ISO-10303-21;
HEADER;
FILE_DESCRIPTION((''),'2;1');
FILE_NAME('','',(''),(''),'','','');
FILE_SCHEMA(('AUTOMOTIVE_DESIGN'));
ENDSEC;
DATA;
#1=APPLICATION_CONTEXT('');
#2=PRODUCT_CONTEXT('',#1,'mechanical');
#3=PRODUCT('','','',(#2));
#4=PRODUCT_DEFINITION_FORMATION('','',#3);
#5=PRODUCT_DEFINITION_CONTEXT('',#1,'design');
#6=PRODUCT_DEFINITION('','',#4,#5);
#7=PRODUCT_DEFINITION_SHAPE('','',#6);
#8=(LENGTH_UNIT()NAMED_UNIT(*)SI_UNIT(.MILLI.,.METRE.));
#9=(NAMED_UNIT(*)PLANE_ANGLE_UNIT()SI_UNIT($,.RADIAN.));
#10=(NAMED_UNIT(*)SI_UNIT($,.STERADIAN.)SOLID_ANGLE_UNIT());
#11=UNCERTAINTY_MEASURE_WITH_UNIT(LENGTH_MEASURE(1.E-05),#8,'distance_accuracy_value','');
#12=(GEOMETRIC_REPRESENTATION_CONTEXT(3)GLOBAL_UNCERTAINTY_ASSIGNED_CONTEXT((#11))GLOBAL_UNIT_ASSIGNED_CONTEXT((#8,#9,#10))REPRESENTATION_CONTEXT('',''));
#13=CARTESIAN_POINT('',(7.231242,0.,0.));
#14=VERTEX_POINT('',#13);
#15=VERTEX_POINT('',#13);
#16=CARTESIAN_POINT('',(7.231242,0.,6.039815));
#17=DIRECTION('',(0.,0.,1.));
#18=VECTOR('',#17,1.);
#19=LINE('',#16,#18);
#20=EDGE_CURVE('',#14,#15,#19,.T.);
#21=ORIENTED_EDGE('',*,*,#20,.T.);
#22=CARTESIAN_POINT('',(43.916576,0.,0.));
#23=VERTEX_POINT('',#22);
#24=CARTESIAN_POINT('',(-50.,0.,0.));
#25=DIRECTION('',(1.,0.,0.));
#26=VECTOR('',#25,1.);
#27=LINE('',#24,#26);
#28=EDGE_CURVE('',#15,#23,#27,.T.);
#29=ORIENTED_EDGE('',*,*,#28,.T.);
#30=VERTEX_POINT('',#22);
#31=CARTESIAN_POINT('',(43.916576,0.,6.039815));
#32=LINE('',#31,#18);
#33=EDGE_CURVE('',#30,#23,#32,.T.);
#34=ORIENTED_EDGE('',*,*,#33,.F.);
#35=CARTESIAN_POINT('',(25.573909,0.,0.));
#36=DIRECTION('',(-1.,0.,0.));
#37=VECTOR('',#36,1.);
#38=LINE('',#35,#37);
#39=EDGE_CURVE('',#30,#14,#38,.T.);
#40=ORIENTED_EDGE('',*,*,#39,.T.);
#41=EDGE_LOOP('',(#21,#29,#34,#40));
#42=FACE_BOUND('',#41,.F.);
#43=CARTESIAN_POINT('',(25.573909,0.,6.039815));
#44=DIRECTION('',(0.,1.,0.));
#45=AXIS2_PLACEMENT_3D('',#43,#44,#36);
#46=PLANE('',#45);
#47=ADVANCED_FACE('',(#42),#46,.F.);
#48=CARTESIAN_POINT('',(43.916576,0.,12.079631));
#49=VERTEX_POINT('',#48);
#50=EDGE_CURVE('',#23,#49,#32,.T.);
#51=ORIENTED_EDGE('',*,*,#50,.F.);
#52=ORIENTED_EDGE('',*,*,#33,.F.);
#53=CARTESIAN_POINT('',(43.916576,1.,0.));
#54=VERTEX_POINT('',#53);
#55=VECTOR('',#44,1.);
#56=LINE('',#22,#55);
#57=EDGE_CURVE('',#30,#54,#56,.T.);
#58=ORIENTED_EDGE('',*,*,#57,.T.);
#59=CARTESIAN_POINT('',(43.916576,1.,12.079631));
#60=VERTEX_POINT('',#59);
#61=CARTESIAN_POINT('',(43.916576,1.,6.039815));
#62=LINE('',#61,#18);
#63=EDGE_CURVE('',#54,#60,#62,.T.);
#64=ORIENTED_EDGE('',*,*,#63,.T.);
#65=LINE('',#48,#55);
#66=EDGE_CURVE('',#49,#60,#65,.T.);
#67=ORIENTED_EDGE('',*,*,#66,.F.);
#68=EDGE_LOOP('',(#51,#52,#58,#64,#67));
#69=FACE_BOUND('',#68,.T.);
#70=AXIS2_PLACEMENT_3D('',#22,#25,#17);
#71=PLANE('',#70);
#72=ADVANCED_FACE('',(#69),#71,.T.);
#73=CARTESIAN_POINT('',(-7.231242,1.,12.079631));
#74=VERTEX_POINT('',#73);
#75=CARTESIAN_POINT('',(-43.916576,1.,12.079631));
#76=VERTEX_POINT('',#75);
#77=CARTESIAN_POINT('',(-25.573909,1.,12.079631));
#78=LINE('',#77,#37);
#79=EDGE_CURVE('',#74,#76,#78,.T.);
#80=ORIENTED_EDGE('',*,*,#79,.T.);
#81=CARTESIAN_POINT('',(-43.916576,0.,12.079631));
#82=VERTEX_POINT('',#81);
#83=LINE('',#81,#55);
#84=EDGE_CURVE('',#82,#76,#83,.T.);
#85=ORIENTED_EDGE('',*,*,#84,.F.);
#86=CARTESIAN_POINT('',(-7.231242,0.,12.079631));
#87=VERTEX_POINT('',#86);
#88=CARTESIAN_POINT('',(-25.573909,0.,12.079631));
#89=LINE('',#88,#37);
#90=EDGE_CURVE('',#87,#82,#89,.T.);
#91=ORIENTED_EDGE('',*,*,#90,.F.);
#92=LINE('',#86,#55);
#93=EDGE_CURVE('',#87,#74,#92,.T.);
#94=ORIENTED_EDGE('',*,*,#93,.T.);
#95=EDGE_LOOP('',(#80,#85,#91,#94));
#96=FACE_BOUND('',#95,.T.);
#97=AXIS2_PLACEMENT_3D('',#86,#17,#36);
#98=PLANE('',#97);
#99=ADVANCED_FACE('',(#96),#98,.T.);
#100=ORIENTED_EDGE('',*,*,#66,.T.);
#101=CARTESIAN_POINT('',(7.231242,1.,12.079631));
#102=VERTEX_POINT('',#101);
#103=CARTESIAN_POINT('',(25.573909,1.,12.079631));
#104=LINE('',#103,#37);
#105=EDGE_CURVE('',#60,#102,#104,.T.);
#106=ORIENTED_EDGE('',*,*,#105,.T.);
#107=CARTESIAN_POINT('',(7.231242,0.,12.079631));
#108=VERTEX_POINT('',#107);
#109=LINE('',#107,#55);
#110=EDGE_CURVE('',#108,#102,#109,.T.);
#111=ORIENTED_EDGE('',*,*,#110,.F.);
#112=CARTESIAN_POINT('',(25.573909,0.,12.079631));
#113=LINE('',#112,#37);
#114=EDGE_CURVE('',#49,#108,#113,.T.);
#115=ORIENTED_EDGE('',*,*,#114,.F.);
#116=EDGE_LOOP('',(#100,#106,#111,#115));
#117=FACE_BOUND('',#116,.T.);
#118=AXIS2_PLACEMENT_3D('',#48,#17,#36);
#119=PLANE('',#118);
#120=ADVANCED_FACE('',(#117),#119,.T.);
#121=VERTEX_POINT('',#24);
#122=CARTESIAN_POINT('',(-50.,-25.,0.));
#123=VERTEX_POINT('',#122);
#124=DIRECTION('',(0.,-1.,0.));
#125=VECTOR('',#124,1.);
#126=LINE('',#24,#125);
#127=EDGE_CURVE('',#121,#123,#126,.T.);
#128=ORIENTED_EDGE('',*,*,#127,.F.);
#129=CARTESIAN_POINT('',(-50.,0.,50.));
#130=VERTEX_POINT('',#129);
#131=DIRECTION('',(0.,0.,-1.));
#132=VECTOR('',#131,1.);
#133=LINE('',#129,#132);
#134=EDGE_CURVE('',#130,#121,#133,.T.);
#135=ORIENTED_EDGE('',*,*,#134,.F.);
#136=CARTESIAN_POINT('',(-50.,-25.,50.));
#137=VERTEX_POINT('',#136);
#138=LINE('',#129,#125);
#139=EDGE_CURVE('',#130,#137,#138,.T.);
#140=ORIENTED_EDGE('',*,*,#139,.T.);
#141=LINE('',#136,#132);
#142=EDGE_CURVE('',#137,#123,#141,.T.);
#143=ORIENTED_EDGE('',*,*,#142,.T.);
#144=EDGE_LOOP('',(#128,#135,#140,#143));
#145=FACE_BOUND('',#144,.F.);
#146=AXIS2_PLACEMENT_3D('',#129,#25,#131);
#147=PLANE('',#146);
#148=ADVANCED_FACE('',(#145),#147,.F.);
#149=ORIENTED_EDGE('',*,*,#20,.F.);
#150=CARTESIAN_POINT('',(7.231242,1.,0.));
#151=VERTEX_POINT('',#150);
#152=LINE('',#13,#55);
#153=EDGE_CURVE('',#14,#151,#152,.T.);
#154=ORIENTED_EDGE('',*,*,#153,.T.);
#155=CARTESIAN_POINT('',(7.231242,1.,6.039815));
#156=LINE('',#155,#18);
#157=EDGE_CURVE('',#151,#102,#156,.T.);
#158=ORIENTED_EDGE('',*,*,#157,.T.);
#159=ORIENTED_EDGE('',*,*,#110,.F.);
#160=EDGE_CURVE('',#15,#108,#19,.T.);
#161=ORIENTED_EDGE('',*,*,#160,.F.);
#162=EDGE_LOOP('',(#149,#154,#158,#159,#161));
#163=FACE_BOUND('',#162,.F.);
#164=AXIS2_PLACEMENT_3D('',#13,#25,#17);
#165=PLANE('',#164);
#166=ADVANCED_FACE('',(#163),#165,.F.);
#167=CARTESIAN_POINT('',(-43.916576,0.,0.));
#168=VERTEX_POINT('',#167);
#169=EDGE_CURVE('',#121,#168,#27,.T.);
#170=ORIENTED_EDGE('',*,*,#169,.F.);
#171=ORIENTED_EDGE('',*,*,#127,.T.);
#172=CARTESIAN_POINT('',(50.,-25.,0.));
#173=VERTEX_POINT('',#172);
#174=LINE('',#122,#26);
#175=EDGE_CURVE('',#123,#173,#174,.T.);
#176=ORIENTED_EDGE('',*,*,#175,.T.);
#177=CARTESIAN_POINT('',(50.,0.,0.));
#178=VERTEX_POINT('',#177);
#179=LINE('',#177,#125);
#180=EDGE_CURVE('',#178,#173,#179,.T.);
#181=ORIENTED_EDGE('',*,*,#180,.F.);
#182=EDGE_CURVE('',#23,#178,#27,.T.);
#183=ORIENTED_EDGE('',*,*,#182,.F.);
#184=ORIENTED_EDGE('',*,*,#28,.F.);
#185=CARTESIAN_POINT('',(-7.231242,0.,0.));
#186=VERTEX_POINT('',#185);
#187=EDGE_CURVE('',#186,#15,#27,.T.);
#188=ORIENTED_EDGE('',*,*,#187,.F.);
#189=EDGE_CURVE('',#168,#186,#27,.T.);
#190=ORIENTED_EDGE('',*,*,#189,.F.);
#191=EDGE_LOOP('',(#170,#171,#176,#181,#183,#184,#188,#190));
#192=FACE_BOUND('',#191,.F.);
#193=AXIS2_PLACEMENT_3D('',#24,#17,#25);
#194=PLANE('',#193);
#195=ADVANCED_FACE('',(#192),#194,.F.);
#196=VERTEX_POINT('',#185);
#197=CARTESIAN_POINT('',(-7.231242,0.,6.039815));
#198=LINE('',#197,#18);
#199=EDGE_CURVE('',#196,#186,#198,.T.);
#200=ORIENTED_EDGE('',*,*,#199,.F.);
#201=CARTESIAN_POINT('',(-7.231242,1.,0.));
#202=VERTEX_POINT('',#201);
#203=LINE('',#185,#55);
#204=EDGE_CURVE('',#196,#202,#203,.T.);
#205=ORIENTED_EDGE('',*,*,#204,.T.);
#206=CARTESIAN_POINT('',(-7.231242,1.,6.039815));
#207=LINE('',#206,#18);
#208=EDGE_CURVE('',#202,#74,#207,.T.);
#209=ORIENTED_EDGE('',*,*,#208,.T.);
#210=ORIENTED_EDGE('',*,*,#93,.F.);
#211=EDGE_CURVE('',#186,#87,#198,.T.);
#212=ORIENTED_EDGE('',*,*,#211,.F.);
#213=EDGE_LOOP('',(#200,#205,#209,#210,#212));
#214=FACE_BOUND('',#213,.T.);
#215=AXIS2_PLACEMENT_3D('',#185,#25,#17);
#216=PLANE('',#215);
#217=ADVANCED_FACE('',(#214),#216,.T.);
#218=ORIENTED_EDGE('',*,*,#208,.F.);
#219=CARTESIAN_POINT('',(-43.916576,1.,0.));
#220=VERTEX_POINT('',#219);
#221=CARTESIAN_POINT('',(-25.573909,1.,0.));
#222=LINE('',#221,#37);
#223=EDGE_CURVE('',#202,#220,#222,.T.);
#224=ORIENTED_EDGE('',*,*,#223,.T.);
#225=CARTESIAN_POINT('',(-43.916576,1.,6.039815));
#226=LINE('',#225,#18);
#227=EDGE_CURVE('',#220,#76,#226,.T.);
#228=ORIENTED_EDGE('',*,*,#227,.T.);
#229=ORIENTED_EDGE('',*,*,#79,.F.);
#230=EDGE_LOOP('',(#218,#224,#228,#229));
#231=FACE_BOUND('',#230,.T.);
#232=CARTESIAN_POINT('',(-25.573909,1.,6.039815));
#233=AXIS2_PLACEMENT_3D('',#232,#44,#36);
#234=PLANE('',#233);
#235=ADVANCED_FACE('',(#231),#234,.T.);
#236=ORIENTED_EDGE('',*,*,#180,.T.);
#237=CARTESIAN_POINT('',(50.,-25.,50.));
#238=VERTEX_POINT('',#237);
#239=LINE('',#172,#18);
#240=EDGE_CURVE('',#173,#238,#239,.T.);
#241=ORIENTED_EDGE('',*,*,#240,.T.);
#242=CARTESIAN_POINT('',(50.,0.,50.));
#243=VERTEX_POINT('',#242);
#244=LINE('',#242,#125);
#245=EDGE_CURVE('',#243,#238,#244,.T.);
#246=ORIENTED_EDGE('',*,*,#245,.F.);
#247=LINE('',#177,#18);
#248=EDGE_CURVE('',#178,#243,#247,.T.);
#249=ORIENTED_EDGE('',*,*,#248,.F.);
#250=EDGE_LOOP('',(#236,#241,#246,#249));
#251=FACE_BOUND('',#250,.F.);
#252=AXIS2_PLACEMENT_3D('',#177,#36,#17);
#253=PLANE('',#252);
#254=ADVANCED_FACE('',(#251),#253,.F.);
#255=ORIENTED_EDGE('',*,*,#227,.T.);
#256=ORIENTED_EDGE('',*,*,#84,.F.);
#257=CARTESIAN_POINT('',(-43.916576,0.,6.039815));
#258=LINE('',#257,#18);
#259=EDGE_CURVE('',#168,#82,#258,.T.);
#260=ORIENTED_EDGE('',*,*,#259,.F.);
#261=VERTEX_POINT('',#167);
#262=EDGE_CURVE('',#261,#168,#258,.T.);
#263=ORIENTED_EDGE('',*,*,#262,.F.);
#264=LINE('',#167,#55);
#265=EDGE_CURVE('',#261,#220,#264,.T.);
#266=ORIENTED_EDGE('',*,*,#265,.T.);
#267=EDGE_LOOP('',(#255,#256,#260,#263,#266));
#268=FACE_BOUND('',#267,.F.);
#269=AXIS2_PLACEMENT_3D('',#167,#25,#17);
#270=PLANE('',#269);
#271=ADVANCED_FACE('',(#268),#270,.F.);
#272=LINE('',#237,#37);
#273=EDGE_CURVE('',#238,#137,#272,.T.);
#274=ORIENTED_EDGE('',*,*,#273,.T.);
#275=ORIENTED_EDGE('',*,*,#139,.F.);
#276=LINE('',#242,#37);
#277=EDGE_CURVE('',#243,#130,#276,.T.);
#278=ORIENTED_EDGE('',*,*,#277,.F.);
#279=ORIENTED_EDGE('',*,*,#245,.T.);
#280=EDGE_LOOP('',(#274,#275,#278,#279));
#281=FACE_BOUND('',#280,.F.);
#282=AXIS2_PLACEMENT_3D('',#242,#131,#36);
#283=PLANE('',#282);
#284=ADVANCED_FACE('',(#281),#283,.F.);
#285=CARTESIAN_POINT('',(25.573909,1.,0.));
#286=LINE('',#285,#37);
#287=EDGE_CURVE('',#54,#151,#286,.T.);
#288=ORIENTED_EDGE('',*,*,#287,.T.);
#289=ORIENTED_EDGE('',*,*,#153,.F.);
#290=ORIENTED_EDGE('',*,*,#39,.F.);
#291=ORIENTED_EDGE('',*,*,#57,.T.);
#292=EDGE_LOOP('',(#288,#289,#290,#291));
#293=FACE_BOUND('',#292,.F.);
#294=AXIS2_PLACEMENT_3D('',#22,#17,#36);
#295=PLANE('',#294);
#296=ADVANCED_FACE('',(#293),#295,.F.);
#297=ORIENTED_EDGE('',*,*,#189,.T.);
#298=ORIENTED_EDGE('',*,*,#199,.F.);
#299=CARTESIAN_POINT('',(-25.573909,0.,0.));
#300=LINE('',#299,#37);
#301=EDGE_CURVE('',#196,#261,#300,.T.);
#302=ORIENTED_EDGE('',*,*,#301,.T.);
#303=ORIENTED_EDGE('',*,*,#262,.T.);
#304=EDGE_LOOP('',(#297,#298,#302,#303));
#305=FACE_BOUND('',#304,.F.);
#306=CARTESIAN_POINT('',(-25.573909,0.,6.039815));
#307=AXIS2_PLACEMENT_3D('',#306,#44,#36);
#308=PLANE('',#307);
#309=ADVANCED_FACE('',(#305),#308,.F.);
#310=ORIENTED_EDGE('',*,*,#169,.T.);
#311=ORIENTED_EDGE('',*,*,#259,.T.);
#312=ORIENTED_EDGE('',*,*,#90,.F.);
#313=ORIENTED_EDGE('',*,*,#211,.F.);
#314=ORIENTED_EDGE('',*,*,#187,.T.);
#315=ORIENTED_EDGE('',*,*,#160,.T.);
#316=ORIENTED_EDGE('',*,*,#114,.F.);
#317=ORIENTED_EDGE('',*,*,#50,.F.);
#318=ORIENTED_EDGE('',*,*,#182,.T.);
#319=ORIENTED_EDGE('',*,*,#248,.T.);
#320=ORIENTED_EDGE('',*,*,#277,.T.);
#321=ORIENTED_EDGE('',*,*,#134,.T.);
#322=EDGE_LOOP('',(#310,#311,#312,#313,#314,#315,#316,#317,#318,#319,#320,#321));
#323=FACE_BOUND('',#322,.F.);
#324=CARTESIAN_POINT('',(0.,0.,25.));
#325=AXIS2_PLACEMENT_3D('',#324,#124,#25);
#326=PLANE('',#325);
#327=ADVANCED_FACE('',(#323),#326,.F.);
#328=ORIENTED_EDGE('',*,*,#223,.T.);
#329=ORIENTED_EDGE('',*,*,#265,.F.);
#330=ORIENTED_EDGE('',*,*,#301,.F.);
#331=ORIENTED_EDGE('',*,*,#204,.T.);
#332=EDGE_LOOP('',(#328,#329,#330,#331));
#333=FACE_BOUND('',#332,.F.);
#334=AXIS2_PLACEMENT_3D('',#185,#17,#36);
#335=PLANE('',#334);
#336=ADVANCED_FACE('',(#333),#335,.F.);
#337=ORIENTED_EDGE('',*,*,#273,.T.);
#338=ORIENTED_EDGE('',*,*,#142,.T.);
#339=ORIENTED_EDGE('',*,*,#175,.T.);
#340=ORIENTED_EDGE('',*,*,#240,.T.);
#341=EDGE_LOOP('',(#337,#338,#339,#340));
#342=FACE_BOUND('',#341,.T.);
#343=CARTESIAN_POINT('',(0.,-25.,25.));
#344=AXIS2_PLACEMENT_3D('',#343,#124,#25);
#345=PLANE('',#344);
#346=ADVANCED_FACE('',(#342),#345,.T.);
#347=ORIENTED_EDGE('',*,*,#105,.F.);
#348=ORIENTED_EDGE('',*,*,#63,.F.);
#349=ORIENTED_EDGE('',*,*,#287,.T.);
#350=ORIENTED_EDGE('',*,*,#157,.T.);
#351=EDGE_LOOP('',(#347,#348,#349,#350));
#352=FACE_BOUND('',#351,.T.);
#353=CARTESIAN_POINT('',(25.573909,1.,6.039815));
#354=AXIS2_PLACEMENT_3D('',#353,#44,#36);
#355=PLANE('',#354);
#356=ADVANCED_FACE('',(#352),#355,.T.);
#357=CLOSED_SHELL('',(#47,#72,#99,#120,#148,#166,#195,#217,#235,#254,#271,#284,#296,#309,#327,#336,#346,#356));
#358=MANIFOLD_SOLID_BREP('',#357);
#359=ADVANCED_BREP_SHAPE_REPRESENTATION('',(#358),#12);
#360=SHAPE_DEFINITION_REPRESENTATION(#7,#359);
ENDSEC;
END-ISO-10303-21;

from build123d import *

# Parameters (mm, degrees)
F1_DEPTH = 25
F2_W     = 36.685333
F2_H     = 12.079631
F3_DEPTH = 1


with BuildPart() as f1:
    # F0 (on Front) → F1 (new body)
    with BuildSketch(Plane.XZ):
        Polygon((-50, 0), (0, 0), (50, 0), (50, 50), (0, 50), (-50, 50), align=None)
    extrude(amount=F1_DEPTH)

    # F2 (on face) → F3 (join)
    with BuildSketch(Plane(origin=(0, 0, 0), x_dir=(-1, 0, 0), z_dir=(0, 1, 0))):
        with Locations((-25.573909, 6.039815)):
            Rectangle(F2_W, F2_H)
        with Locations((25.573909, 6.039815)):
            Rectangle(F2_W, F2_H)
    extrude(amount=F3_DEPTH)


solid = f1.part
